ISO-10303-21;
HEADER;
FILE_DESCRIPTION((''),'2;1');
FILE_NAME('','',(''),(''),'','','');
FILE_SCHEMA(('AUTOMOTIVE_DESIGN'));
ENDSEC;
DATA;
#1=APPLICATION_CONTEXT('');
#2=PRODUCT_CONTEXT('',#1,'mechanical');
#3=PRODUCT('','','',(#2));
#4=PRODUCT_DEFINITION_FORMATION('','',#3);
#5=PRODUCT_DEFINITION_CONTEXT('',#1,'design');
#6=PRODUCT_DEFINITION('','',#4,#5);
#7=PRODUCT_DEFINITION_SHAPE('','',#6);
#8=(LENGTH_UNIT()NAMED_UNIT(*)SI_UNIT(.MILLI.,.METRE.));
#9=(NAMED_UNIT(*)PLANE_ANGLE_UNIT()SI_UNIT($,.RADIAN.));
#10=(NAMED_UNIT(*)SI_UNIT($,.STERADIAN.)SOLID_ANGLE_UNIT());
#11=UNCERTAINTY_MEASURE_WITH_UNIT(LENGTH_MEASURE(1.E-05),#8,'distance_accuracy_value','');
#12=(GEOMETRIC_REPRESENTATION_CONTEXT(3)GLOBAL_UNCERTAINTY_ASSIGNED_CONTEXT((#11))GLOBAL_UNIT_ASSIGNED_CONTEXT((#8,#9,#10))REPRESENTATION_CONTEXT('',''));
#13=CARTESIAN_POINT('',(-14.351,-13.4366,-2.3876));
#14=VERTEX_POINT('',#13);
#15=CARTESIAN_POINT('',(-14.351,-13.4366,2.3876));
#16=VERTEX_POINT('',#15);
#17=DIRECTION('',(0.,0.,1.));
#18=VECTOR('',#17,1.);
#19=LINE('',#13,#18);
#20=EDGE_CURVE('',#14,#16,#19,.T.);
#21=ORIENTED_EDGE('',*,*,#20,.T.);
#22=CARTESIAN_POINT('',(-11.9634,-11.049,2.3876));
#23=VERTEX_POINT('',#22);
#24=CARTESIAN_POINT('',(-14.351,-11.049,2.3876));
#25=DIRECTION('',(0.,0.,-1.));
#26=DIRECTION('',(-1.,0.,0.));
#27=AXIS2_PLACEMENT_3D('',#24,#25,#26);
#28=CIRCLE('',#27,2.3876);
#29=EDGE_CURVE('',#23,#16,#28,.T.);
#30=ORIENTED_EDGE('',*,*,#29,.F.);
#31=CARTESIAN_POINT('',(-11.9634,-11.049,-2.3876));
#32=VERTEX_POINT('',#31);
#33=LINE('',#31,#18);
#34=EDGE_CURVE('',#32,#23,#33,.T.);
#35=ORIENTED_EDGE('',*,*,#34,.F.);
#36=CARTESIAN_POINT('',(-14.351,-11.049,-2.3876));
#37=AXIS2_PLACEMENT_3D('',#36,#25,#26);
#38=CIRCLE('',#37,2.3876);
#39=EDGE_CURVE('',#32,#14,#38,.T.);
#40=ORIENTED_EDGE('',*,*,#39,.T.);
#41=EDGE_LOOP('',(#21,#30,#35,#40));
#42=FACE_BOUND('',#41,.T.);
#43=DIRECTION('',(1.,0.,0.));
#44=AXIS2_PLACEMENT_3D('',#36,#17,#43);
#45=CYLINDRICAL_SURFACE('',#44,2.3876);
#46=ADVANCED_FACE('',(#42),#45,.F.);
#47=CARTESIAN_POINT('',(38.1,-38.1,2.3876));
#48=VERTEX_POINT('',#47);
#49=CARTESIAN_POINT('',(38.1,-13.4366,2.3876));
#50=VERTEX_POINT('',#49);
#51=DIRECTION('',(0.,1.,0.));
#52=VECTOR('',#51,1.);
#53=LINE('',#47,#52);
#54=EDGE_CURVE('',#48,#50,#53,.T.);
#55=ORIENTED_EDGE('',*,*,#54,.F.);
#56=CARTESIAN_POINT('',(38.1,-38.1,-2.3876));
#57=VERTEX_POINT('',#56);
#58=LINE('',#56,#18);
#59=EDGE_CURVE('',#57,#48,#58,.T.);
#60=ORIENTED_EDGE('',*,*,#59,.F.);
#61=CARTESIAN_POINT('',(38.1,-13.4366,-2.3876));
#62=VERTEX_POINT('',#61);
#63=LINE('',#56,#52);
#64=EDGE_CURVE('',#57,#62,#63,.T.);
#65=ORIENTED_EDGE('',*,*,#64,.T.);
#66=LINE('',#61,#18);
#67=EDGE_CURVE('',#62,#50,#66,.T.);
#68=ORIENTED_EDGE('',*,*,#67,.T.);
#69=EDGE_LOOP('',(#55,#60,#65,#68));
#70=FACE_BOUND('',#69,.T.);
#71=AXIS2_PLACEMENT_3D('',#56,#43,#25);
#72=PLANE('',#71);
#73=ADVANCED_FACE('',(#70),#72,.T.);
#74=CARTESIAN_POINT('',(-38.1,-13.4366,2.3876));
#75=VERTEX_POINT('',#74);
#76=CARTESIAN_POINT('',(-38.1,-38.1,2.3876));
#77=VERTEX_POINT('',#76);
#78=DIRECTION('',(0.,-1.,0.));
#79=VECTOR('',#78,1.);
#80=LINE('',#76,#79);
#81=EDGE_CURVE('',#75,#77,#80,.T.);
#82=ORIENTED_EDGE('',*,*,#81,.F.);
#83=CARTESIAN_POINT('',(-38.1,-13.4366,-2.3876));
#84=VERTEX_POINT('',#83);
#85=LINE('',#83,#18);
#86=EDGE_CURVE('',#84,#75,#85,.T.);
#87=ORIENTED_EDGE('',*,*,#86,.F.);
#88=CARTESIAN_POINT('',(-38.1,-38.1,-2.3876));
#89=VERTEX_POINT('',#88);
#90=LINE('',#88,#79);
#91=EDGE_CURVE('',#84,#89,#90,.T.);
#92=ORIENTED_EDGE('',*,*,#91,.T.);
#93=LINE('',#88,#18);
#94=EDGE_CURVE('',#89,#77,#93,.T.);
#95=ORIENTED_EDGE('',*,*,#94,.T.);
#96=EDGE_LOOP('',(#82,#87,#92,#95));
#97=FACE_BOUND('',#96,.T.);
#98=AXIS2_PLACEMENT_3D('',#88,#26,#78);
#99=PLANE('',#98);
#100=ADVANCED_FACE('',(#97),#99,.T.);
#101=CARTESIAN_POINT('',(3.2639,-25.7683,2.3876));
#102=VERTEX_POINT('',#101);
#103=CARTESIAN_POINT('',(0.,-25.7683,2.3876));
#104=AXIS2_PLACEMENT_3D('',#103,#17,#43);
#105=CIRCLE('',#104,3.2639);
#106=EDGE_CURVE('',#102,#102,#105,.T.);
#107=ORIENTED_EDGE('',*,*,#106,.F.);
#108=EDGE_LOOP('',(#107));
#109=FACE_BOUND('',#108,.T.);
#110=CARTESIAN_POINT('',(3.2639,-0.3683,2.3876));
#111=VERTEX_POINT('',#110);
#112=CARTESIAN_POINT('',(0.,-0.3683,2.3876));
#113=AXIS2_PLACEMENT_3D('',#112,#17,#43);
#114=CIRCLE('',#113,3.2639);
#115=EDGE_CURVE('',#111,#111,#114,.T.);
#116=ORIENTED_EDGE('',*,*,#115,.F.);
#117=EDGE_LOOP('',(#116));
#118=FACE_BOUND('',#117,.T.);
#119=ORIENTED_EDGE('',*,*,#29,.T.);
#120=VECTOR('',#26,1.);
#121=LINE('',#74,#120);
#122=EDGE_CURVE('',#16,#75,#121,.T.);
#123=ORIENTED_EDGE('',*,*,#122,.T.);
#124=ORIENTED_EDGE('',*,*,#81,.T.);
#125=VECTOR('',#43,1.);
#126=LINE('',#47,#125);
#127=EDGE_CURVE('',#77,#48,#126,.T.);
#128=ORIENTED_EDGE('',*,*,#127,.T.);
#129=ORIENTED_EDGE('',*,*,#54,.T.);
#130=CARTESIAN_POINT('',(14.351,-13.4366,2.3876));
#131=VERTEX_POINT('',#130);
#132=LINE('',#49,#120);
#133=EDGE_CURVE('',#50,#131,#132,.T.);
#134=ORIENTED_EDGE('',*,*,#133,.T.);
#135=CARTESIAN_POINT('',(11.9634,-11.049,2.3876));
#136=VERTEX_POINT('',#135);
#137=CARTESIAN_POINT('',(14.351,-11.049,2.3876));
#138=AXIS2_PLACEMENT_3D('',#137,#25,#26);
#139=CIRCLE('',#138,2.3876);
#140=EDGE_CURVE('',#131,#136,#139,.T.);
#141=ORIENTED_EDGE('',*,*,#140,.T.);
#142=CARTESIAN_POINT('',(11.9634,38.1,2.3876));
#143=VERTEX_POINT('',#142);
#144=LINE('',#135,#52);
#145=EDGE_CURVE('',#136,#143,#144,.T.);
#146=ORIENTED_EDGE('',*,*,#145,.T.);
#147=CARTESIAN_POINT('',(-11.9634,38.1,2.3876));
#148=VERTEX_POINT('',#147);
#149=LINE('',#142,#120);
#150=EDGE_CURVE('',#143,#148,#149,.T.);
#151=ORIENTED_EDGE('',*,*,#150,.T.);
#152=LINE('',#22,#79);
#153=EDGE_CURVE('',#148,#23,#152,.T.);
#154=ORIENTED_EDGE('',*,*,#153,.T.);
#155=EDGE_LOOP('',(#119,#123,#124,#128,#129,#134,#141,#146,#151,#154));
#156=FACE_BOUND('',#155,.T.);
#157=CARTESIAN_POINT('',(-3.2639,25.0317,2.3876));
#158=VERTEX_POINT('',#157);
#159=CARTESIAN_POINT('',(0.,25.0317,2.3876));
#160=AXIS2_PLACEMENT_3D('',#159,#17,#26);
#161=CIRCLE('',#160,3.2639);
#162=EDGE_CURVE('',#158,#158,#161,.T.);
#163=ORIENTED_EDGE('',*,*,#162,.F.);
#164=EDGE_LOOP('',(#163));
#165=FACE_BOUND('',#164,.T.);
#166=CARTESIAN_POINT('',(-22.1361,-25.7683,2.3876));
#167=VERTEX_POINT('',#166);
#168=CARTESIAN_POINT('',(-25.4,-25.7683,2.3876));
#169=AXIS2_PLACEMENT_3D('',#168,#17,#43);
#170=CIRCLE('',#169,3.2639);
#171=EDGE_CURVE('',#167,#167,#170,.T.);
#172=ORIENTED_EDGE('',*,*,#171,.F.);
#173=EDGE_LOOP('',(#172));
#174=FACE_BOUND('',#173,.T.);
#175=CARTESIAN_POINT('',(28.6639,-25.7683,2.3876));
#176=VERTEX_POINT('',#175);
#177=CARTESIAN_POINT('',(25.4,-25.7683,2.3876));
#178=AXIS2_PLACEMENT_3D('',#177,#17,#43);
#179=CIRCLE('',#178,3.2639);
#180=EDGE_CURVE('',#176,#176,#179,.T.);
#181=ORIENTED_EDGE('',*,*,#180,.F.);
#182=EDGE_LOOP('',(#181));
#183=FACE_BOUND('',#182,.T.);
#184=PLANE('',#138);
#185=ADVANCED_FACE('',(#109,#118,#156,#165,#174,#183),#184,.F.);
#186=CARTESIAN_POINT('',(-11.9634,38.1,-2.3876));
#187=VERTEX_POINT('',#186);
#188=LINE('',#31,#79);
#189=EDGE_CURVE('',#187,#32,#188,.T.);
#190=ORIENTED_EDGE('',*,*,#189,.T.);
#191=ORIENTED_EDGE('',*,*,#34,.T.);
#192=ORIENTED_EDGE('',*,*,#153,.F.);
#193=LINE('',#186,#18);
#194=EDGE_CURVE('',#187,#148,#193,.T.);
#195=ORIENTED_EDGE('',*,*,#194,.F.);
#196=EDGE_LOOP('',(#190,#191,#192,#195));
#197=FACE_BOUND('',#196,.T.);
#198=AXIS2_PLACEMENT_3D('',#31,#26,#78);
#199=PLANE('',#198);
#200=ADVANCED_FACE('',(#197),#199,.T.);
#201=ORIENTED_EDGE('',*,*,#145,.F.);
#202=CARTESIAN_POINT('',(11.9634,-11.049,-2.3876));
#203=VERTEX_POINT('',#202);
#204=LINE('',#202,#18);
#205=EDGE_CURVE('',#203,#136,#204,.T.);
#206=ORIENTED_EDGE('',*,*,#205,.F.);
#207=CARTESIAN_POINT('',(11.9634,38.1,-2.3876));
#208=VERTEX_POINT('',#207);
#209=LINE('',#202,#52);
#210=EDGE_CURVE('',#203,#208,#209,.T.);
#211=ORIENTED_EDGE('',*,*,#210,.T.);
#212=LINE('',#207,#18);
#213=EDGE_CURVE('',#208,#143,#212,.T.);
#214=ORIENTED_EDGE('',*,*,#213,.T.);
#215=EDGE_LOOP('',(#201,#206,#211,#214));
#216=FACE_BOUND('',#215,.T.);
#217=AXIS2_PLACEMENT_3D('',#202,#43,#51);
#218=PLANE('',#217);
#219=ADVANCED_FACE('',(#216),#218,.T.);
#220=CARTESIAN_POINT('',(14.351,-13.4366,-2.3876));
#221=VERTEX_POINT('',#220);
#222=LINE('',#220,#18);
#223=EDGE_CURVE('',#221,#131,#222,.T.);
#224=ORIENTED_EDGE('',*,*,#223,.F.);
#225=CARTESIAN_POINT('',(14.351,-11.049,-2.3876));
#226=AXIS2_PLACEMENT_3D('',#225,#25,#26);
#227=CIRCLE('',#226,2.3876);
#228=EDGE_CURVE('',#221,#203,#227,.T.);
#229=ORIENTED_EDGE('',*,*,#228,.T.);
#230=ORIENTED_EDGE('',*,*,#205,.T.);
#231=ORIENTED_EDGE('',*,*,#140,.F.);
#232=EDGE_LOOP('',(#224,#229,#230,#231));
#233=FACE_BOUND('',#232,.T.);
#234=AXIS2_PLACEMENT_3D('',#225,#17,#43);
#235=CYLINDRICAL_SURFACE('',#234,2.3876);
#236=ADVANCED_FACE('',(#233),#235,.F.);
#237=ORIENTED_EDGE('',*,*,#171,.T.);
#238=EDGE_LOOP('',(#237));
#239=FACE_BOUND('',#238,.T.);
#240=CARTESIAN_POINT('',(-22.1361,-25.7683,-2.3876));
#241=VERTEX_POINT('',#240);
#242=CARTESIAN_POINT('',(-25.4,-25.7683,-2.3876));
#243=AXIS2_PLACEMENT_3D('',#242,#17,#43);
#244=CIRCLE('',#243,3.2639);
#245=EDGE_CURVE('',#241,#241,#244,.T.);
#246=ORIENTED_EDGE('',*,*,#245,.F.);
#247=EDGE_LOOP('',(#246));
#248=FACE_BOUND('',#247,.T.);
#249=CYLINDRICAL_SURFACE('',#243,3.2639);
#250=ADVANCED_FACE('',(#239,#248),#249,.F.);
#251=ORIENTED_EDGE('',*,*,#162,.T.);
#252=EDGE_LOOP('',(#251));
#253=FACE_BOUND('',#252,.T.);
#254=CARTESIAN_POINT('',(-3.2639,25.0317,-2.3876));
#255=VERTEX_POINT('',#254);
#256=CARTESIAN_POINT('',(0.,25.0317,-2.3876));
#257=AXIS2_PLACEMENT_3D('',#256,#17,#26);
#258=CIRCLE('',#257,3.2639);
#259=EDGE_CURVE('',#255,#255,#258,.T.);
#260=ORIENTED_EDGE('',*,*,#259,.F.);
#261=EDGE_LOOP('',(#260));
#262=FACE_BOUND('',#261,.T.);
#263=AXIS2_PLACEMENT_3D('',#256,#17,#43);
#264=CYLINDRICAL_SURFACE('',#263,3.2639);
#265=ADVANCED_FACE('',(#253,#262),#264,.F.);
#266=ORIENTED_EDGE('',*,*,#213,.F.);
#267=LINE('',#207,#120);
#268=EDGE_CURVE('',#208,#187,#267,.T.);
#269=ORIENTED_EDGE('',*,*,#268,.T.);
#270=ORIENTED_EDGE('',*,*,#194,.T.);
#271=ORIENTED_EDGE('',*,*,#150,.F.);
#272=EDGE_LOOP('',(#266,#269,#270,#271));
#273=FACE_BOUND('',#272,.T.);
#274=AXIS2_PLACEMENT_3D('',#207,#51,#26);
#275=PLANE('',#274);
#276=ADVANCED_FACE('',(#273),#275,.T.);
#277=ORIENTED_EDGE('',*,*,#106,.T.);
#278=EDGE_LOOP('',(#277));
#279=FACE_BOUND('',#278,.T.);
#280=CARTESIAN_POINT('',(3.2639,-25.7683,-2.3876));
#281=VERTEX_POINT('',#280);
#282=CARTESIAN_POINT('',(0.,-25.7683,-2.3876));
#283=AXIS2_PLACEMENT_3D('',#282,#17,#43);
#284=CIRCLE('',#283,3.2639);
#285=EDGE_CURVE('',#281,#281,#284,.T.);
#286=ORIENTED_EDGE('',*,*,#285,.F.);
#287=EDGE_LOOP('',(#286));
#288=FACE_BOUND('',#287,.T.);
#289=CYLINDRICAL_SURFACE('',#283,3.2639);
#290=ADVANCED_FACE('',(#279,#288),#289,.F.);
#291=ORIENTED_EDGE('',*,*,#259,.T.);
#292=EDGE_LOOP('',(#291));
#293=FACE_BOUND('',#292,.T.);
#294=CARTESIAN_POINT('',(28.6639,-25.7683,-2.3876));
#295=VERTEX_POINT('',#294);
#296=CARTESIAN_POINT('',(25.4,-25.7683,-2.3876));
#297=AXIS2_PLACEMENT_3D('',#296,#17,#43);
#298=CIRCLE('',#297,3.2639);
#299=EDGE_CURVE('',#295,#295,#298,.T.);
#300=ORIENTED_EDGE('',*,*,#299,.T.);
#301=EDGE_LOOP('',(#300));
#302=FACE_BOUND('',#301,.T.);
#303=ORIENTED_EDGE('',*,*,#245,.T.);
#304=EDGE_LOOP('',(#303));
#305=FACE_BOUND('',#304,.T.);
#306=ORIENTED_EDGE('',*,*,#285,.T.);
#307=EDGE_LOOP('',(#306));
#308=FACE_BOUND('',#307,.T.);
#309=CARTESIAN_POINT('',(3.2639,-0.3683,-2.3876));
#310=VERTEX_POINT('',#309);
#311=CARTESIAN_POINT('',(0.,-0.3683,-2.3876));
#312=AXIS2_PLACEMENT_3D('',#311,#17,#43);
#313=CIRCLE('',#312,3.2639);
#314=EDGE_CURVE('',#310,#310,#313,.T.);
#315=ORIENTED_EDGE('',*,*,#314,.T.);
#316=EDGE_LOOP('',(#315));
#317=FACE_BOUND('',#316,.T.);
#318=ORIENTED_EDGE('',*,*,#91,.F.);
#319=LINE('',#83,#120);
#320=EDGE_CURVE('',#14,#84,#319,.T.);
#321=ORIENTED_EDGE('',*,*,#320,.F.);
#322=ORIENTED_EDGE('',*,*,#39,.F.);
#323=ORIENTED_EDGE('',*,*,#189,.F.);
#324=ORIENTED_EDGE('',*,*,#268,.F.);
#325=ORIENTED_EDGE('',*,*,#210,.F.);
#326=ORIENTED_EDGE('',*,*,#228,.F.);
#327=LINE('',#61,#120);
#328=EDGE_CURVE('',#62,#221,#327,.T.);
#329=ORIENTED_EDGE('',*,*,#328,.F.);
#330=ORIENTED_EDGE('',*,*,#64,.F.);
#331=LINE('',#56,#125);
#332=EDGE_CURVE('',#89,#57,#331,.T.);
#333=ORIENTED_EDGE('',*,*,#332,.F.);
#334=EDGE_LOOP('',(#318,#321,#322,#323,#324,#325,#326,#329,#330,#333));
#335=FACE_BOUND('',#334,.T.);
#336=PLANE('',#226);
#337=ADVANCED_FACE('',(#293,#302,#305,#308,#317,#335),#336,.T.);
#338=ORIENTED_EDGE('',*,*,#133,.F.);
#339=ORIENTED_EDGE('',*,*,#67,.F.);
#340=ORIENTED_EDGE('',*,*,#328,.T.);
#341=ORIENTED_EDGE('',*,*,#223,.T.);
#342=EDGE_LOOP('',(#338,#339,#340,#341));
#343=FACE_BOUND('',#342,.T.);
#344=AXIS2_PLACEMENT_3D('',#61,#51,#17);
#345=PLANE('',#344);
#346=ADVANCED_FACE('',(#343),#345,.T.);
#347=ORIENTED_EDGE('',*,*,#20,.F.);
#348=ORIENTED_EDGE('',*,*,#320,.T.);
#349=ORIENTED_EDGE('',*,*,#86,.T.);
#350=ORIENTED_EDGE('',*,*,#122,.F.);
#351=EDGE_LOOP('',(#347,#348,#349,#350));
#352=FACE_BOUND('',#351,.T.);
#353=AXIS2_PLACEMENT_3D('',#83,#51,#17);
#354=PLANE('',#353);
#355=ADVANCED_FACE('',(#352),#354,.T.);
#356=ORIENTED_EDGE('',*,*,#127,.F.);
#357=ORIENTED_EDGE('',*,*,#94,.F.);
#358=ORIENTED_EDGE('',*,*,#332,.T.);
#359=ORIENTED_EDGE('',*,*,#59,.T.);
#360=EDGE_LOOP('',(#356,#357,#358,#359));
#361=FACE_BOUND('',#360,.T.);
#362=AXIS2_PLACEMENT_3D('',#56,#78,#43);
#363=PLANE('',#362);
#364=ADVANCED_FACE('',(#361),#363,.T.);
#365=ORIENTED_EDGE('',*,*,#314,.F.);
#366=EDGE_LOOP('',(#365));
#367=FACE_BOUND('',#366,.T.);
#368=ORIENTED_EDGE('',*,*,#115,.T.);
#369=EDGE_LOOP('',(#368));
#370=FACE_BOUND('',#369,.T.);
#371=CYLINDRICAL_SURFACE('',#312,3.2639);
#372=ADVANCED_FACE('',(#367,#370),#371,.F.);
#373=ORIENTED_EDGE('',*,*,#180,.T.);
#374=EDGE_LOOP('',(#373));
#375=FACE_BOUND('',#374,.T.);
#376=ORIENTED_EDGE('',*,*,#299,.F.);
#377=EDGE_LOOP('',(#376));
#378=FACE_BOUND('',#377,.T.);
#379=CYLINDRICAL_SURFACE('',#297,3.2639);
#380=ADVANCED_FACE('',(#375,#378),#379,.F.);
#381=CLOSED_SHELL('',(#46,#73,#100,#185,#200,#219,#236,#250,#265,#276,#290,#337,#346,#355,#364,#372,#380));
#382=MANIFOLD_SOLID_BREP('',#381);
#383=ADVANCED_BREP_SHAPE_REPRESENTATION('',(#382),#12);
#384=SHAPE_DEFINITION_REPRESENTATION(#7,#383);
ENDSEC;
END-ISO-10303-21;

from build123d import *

# Parameters (mm, degrees)
BOSS_EXTRUDE1_DEPTH      = 2.3876
BOSS_EXTRUDE1_DEPTH_BACK = 2.3876
SKETCH4_R                = 3.2639
CUT_EXTRUDE1_DEPTH       = 55.092721646


with BuildPart() as part:
    # Sketch3 → Boss-Extrude1 (new, two sides: drawn at the far end of the back side and taken through both)
    with BuildSketch(Plane.XY.offset(-BOSS_EXTRUDE1_DEPTH_BACK)):
        with BuildLine():
            Line((38.1, -38.1), (-38.1, -38.1))
            Line((-38.1, -38.1), (-38.1, -13.4366))
            Line((-38.1, -13.4366), (-14.351, -13.4366))
            ThreePointArc((-14.351, -13.4366), (-12.662711849, -12.737288151), (-11.9634, -11.049))
            Line((-11.9634, -11.049), (-11.9634, 38.1))
            Line((-11.9634, 38.1), (11.9634, 38.1))
            Line((11.9634, 38.1), (11.9634, -11.049))
            ThreePointArc((11.9634, -11.049), (12.662711849, -12.737288151), (14.351, -13.4366))
            Line((14.351, -13.4366), (38.1, -13.4366))
            Line((38.1, -13.4366), (38.1, -38.1))
        make_face()
    extrude(amount=BOSS_EXTRUDE1_DEPTH + BOSS_EXTRUDE1_DEPTH_BACK)

    # Sketch4 → Cut-Extrude1 (cut, through all)
    with BuildSketch(Plane.XY.offset(2.3876)):
        with Locations((25.4, -25.7683)):
            Circle(SKETCH4_R)
        with Locations((0, -25.7683)):
            Circle(SKETCH4_R)
        with Locations((-25.4, -25.7683)):
            Circle(SKETCH4_R)
        with Locations((0, -0.3683)):
            Circle(SKETCH4_R)
        with Locations(Location((0, 25.0317, 0), (0, 0, 180))):
            Circle(SKETCH4_R)
    extrude(amount=-CUT_EXTRUDE1_DEPTH, mode=Mode.SUBTRACT)


solid = part.part
